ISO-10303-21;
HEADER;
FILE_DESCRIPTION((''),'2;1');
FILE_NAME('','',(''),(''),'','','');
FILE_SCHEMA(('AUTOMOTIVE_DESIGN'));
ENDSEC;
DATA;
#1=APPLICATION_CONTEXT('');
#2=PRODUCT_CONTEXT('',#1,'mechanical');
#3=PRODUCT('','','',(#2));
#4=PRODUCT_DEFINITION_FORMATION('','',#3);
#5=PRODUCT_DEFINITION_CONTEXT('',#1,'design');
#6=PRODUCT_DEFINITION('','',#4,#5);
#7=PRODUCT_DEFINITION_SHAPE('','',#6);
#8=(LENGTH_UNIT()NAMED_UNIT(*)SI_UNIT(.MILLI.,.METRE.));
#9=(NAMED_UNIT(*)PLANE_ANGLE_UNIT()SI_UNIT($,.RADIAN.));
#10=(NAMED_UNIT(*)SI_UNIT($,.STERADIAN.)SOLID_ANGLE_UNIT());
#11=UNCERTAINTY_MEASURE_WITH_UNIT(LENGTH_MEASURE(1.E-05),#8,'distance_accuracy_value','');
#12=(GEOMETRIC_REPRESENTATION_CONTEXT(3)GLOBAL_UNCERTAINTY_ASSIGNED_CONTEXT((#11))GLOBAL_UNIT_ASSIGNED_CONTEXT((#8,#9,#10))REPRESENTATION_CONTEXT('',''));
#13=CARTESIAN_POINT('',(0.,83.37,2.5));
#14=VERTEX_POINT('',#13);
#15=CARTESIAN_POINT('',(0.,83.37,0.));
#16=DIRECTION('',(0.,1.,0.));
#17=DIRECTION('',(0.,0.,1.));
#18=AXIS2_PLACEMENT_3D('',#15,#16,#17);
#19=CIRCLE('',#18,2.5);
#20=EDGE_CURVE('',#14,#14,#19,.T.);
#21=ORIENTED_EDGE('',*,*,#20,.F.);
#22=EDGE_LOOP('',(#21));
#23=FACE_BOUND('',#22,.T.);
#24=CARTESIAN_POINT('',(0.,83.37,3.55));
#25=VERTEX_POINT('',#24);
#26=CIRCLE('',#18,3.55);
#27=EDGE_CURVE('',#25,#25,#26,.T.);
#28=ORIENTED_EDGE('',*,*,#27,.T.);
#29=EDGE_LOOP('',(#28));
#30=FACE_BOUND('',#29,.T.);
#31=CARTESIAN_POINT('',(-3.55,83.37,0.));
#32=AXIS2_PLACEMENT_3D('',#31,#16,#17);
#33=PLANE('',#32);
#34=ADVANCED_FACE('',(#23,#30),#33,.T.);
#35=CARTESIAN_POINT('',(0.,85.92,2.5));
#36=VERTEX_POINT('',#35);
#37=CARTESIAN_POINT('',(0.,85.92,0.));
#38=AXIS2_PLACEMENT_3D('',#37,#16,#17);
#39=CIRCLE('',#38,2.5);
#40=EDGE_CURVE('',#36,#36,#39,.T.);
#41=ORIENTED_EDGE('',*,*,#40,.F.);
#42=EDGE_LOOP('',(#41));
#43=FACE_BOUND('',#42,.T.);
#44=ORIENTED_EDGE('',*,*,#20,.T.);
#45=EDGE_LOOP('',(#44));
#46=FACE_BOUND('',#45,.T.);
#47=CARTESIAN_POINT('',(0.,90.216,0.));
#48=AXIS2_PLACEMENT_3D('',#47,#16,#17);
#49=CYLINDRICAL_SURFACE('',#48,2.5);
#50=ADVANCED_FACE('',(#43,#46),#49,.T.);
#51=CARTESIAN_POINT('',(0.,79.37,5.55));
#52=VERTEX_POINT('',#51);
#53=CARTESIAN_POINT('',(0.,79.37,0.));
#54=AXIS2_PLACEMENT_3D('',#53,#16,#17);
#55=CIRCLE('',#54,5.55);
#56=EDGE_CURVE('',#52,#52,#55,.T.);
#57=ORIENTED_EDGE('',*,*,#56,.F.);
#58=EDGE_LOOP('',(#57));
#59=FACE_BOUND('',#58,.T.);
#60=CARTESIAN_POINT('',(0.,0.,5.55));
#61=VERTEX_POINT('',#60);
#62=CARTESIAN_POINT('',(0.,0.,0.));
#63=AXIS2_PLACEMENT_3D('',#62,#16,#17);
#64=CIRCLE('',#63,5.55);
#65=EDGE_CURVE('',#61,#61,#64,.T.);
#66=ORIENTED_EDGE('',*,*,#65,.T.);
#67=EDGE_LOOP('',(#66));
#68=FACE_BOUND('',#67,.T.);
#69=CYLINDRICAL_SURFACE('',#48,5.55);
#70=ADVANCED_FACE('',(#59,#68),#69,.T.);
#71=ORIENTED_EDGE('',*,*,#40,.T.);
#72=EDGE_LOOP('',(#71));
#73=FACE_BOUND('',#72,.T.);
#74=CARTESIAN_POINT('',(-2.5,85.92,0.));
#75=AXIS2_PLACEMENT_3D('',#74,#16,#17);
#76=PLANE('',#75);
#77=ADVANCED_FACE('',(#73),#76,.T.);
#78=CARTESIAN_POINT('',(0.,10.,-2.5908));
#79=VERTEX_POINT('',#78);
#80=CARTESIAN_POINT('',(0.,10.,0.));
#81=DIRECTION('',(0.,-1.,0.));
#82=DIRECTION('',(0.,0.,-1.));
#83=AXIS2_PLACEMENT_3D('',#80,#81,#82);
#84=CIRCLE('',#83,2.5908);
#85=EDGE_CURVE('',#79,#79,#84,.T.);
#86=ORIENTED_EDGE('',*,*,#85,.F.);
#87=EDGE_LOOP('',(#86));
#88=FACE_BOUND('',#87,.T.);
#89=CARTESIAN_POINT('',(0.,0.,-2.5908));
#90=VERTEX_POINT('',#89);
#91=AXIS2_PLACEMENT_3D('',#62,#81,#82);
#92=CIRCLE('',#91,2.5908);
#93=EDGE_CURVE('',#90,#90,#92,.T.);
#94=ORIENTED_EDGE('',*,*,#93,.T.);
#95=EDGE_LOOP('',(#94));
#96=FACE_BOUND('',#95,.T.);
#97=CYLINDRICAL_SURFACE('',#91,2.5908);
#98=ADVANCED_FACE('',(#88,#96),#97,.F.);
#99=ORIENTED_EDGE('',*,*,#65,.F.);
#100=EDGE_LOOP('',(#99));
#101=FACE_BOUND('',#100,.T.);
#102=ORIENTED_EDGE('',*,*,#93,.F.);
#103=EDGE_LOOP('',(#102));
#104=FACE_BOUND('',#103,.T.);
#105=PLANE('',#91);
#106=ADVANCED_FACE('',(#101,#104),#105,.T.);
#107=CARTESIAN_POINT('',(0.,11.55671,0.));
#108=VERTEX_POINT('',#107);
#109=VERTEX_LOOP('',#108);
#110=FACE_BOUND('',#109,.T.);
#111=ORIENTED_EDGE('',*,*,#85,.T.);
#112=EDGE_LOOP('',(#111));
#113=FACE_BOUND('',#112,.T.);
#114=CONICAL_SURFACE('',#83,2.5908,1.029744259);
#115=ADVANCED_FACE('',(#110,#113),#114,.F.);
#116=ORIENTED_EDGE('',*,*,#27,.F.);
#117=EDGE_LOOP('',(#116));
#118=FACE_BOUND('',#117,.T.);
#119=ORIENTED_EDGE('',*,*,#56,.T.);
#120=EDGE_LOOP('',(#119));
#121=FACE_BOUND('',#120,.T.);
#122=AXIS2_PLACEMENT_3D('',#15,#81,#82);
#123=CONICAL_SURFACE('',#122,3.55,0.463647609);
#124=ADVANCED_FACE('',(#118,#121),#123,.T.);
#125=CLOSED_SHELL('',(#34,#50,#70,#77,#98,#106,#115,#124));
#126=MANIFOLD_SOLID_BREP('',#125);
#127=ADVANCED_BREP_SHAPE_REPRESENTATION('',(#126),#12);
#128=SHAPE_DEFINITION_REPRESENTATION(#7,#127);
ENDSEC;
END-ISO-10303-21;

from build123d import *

# Parameters (mm, degrees)
F_6_0_204_DIAMETER_HOLE1_D     = 5.1816
F_6_0_204_DIAMETER_HOLE1_DEPTH = 10
F_6_0_204_DIAMETER_HOLE1_TIP   = 1.556709692


with BuildPart() as part:
    # Sketch1 → Revolve1 (revolve)
    with BuildSketch(Plane.XY):
        Polygon((0, 0), (-5.55, 0), (-5.55, 79.37), (-3.55, 83.37), (-2.5, 83.37), (-2.5, 85.92), (0, 85.92), align=None)
    revolve(axis=Axis((0, 90.216, 0), (0, -1, 0)))

    # #6 (0.204) Diameter Hole1
    with Locations(Plane.XZ):
        with Locations((0, 0)):
            Hole(F_6_0_204_DIAMETER_HOLE1_D / 2, depth=F_6_0_204_DIAMETER_HOLE1_DEPTH)
            with Locations((0, 0, -(F_6_0_204_DIAMETER_HOLE1_DEPTH + F_6_0_204_DIAMETER_HOLE1_TIP / 2))):  # 118° drill point
                Cone(0, F_6_0_204_DIAMETER_HOLE1_D / 2, F_6_0_204_DIAMETER_HOLE1_TIP, mode=Mode.SUBTRACT)


solid = part.part
